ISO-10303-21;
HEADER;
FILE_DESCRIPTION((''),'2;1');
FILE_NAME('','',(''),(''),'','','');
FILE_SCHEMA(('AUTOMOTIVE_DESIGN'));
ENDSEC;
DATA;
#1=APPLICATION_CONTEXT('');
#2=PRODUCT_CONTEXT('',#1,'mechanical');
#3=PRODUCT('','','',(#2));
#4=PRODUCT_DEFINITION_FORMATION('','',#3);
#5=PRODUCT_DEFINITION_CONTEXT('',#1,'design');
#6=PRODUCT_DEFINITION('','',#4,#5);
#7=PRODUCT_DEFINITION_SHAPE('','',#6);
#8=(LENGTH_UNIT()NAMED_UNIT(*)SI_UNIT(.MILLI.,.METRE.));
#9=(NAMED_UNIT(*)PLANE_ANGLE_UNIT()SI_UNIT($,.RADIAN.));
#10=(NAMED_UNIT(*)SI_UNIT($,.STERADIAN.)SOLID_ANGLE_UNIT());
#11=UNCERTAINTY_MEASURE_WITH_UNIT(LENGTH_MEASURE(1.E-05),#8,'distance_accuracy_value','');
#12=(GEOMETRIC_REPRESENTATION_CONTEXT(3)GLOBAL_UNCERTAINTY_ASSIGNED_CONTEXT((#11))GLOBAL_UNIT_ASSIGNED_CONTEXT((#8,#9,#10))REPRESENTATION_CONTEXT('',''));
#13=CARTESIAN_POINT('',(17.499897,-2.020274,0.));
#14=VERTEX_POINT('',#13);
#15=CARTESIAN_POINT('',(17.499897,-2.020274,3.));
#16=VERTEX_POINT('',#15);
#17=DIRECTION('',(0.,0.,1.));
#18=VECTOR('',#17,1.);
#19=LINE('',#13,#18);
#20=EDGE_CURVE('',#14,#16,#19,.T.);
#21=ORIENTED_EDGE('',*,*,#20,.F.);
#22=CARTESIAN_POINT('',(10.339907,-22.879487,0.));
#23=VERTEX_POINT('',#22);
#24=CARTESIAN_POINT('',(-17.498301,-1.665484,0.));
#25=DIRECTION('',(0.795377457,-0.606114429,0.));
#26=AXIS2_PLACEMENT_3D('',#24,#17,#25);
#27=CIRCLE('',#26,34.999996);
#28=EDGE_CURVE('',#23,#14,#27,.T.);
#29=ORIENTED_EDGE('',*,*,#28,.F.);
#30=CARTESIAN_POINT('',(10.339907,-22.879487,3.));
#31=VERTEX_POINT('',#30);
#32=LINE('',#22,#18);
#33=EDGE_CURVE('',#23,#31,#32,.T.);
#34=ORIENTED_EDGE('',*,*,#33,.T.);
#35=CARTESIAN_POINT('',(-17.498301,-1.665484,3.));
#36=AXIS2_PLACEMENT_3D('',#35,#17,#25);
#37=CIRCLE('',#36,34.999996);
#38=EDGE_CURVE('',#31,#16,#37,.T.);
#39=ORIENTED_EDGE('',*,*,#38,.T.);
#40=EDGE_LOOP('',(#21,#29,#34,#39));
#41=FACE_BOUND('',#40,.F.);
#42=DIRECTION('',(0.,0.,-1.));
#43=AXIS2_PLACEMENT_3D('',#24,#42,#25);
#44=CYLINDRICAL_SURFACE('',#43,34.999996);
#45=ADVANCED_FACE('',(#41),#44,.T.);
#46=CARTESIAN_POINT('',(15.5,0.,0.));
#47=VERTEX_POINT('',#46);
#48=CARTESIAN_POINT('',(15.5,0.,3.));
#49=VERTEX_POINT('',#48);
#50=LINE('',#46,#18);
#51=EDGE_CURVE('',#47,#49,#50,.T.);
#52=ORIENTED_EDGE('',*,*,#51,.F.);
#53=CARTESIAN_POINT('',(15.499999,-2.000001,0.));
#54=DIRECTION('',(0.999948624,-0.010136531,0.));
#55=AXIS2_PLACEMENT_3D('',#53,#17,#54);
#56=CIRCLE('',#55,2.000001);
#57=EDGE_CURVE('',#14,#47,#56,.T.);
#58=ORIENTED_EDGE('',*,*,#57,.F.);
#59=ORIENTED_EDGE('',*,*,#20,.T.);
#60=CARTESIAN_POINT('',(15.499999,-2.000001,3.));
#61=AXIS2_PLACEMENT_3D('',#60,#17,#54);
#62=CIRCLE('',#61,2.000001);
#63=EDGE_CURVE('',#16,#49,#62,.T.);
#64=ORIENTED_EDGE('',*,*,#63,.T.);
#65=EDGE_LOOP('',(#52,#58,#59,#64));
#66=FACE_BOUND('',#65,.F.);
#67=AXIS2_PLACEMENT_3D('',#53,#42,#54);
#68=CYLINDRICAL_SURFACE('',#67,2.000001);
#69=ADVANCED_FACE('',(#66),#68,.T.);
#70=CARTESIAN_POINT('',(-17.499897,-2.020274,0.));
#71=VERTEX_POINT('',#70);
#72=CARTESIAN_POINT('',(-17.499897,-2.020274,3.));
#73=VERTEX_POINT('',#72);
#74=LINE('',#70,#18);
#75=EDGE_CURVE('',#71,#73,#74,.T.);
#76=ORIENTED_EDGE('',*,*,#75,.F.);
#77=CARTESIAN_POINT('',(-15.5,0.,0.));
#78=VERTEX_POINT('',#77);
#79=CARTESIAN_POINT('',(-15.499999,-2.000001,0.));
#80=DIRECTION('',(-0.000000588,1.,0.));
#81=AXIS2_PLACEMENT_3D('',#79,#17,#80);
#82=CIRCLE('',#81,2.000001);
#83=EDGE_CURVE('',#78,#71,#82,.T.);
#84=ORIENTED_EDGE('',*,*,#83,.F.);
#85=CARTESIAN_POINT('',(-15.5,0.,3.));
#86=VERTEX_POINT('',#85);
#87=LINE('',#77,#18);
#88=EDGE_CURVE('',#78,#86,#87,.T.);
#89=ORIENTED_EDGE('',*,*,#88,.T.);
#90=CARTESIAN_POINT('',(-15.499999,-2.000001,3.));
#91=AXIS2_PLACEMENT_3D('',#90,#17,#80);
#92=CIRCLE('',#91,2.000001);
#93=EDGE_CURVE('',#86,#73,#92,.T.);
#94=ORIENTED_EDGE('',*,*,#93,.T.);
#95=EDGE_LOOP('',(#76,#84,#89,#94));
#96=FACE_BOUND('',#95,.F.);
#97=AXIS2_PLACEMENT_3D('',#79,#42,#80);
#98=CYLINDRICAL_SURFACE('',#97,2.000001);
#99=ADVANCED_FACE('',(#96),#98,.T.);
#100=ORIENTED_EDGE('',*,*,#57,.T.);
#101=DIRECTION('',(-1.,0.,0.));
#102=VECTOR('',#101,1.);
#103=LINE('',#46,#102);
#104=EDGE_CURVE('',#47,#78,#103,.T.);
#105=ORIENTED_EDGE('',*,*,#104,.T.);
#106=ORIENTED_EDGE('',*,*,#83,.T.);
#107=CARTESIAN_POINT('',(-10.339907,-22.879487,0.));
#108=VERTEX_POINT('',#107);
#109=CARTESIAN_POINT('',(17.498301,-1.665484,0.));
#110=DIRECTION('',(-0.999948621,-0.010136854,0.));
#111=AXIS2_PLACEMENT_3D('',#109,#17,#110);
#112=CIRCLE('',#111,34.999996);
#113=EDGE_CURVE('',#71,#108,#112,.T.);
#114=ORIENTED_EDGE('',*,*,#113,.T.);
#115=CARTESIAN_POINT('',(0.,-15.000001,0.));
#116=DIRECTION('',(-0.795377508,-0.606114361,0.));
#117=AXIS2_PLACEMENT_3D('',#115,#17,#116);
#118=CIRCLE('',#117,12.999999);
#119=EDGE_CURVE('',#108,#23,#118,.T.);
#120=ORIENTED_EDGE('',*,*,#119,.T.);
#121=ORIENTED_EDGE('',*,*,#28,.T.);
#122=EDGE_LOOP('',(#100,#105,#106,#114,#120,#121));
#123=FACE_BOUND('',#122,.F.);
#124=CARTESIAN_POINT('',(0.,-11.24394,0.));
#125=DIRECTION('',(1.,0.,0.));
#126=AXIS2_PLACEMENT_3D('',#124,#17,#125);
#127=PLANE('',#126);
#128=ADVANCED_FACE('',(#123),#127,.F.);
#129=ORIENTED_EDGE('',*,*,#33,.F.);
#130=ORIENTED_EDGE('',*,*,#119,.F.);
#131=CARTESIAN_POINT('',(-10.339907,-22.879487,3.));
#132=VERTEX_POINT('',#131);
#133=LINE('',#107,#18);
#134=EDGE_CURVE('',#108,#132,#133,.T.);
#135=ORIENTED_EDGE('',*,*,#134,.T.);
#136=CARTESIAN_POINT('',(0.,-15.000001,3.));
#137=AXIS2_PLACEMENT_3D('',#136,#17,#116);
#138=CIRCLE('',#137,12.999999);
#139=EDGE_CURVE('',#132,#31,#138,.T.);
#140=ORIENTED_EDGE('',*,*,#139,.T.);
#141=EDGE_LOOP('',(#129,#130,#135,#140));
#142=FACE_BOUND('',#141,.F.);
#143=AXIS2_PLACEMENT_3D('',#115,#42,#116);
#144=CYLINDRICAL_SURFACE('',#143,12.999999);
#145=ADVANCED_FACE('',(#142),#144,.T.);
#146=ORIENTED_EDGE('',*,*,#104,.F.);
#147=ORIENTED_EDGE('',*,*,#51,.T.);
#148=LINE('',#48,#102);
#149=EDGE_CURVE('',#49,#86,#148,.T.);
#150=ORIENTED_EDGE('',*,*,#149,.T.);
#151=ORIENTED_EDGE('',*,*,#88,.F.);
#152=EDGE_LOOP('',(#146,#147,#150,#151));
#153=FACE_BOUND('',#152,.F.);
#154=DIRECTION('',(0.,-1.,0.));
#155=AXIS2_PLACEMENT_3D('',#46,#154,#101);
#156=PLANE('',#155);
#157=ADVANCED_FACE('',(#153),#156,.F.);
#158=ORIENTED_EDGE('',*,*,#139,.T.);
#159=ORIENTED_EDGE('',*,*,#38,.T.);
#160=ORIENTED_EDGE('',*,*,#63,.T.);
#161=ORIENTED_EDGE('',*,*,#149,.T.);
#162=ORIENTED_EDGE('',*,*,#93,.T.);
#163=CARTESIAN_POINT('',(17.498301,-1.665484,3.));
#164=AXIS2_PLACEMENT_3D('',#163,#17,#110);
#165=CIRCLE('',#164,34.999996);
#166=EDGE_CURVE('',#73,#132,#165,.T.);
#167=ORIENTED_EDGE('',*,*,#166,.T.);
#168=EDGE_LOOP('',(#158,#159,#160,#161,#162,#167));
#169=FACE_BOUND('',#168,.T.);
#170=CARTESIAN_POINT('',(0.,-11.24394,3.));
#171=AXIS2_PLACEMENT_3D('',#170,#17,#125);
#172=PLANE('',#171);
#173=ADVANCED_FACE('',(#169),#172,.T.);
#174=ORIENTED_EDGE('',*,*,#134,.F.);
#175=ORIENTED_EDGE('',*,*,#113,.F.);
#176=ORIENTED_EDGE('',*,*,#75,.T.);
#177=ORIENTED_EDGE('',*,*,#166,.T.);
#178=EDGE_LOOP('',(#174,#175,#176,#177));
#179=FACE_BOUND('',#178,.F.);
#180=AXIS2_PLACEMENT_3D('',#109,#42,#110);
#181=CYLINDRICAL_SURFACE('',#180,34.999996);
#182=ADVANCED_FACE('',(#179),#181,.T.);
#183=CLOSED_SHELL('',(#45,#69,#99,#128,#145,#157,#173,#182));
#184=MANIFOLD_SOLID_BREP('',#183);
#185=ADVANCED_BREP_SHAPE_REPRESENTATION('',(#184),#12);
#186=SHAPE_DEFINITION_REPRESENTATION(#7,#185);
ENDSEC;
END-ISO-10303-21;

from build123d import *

# Parameters (mm, degrees)
F1_DEPTH = 3


with BuildPart() as f1:
    # F0 (on Top) → F1 (new body)
    with BuildSketch(Plane.XY):
        with BuildLine():
            Line((0, 0), (-15.5, 0))
            ThreePointArc((-15.5, 0), (-16.921363, -0.592973), (-17.499897, -2.020274))
            ThreePointArc((-17.499897, -2.020274), (-15.60578, -13.028563), (-10.339907, -22.879487))
            ThreePointArc((-10.339907, -22.879487), (0, -28), (10.339907, -22.879487))
            ThreePointArc((10.339907, -22.879487), (15.60578, -13.028563), (17.499897, -2.020274))
            ThreePointArc((17.499897, -2.020274), (16.921363, -0.592973), (15.5, 0))
            Line((15.5, 0), (0, 0))
        make_face()
    extrude(amount=F1_DEPTH)


solid = f1.part
